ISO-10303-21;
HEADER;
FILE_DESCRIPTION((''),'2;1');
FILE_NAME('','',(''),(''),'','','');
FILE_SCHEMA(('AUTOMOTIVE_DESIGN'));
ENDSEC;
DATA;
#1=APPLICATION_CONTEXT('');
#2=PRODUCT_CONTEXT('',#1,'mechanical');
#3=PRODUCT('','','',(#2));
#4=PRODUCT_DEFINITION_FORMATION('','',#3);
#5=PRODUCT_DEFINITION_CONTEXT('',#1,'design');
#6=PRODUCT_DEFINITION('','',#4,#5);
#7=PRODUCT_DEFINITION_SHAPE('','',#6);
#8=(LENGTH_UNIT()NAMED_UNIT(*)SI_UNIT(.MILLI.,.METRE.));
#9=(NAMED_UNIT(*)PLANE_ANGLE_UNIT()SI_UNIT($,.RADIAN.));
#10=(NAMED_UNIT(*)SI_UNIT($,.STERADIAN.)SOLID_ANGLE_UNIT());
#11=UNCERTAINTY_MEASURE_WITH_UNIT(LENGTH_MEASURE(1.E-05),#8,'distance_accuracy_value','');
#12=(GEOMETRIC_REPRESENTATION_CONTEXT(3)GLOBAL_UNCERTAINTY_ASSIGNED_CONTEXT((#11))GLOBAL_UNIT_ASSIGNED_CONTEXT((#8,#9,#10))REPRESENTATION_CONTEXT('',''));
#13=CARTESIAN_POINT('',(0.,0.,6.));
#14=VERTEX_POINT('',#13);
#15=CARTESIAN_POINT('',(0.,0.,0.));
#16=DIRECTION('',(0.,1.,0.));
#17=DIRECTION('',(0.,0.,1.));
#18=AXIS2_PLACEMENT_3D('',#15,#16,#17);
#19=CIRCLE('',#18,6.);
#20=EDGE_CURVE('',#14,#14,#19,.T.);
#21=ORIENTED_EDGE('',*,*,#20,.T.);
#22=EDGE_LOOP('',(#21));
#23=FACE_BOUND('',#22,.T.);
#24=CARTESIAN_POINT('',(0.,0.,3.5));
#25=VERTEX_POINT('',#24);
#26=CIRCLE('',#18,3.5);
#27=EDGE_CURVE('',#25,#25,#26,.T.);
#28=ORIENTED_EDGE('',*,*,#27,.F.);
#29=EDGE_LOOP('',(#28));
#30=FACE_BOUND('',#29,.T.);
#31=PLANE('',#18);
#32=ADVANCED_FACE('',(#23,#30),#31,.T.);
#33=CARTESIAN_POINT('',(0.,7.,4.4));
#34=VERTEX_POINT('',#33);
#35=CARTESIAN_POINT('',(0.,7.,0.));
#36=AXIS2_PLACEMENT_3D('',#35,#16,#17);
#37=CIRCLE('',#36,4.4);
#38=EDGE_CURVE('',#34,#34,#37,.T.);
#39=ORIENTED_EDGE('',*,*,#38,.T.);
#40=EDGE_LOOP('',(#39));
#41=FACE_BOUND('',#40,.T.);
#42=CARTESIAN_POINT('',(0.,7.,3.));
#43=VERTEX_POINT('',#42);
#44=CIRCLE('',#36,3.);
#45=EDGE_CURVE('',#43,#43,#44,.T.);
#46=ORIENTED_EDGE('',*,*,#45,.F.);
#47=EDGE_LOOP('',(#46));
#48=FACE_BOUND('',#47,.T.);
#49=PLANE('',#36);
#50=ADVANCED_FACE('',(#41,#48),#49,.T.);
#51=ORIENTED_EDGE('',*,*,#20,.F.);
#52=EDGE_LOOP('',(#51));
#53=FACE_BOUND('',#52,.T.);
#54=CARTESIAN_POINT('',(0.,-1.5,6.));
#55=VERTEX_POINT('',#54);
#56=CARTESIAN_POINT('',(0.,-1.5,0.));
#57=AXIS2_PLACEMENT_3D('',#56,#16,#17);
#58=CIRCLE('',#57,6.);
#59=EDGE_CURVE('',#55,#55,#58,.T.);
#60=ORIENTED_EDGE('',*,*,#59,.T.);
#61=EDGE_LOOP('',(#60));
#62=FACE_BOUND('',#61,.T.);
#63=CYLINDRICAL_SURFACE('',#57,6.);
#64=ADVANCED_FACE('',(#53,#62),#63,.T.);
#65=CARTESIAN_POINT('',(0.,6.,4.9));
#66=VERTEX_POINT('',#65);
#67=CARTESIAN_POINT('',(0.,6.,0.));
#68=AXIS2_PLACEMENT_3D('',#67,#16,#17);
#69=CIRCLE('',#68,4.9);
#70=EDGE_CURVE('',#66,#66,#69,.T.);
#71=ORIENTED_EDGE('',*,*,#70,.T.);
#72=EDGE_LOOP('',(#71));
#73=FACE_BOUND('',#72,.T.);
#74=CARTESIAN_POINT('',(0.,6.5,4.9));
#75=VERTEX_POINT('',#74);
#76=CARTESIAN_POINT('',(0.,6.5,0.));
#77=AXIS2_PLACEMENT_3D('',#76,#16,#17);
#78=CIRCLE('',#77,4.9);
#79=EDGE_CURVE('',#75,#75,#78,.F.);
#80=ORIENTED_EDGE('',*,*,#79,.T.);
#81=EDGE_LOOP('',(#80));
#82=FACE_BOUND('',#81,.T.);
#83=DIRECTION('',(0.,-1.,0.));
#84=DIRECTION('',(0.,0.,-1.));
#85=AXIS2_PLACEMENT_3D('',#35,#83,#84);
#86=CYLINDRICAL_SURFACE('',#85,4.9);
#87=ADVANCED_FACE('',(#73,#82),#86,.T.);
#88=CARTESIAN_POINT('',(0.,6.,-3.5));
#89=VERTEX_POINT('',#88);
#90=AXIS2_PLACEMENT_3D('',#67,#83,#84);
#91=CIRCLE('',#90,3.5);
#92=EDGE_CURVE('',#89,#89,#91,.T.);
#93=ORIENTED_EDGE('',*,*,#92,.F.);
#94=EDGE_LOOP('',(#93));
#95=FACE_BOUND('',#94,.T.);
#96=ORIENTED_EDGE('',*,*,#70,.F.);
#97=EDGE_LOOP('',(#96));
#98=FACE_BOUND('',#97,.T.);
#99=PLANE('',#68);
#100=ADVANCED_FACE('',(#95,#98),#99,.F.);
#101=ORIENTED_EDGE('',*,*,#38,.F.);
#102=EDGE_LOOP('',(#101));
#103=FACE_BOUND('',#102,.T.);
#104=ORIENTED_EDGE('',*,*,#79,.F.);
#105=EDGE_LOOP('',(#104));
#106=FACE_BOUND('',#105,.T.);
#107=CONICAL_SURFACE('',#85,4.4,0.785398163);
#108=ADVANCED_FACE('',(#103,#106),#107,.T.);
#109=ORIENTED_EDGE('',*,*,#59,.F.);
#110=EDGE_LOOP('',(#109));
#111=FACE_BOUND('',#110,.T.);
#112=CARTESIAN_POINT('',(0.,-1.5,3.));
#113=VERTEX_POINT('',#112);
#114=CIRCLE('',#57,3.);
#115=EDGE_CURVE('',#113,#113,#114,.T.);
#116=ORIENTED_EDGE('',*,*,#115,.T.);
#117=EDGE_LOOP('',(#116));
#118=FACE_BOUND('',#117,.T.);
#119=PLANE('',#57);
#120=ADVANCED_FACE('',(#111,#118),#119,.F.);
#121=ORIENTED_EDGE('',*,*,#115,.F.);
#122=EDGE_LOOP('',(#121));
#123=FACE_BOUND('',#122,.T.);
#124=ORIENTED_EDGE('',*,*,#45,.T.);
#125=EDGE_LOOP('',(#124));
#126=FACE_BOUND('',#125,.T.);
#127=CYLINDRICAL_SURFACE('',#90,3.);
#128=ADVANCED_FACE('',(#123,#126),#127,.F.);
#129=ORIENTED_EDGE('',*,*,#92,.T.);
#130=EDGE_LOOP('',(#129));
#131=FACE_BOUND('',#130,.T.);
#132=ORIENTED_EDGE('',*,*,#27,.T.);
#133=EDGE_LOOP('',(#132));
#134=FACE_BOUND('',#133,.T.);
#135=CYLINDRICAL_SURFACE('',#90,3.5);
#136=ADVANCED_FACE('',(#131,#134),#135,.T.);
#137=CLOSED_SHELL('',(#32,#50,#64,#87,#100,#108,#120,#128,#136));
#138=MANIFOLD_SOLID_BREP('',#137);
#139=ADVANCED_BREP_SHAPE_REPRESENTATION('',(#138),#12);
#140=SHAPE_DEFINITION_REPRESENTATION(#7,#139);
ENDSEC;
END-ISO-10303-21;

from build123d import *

# Parameters (mm, degrees)
HEADS_R                     = 6
HEAD_DEPTH                  = 1.5
TUBEENCAPSULATIONBODYS_R    = 3.5
TUBEENCAPSULATIONBODY_DEPTH = 6
TUBEACCESSS_R               = 3
TUBEACCESS_DEPTH            = 12.324751653
LOCKINGBODYS_R              = 4.9
LOCKINGBODYS_R_2            = 3
LOCKINGBODY_DEPTH           = 1
OPENCLAMPC_SIZE             = 0.5


with BuildPart() as part:
    # HeadS → Head (new body)
    with BuildSketch(Plane(origin=(0, 0, 0), x_dir=(1, 0, 0), z_dir=(0, 1, 0))):
        Circle(HEADS_R)
    extrude(amount=-HEAD_DEPTH)

    # TubeEncapsulationBodyS → TubeEncapsulationBody (add)
    with BuildSketch(Plane(origin=(0, 0, 0), x_dir=(-1, 0, 0), z_dir=(0, -1, 0))):
        Circle(TUBEENCAPSULATIONBODYS_R)
    extrude(amount=-TUBEENCAPSULATIONBODY_DEPTH)

    # TubeAccessS → TubeAccess (cut, through all)
    with BuildSketch(Plane(origin=(0, -1.5, 0), x_dir=(1, 0, 0), z_dir=(0, 1, 0))):
        Circle(TUBEACCESSS_R)
    extrude(amount=TUBEACCESS_DEPTH, mode=Mode.SUBTRACT)

    # LockingBodyS → LockingBody (add)
    with BuildSketch(Plane(origin=(0, 6, 0), x_dir=(1, 0, 0), z_dir=(0, 1, 0))):
        Circle(LOCKINGBODYS_R)
        Circle(LOCKINGBODYS_R_2, mode=Mode.SUBTRACT)
    extrude(amount=LOCKINGBODY_DEPTH)

    # OpenClampC
    openclampc_edges = [part.edges().sort_by_distance(p)[0] for p in [
        (-4.9, 7, 0),
    ]]
    chamfer(openclampc_edges, length=OPENCLAMPC_SIZE)


solid = part.part
